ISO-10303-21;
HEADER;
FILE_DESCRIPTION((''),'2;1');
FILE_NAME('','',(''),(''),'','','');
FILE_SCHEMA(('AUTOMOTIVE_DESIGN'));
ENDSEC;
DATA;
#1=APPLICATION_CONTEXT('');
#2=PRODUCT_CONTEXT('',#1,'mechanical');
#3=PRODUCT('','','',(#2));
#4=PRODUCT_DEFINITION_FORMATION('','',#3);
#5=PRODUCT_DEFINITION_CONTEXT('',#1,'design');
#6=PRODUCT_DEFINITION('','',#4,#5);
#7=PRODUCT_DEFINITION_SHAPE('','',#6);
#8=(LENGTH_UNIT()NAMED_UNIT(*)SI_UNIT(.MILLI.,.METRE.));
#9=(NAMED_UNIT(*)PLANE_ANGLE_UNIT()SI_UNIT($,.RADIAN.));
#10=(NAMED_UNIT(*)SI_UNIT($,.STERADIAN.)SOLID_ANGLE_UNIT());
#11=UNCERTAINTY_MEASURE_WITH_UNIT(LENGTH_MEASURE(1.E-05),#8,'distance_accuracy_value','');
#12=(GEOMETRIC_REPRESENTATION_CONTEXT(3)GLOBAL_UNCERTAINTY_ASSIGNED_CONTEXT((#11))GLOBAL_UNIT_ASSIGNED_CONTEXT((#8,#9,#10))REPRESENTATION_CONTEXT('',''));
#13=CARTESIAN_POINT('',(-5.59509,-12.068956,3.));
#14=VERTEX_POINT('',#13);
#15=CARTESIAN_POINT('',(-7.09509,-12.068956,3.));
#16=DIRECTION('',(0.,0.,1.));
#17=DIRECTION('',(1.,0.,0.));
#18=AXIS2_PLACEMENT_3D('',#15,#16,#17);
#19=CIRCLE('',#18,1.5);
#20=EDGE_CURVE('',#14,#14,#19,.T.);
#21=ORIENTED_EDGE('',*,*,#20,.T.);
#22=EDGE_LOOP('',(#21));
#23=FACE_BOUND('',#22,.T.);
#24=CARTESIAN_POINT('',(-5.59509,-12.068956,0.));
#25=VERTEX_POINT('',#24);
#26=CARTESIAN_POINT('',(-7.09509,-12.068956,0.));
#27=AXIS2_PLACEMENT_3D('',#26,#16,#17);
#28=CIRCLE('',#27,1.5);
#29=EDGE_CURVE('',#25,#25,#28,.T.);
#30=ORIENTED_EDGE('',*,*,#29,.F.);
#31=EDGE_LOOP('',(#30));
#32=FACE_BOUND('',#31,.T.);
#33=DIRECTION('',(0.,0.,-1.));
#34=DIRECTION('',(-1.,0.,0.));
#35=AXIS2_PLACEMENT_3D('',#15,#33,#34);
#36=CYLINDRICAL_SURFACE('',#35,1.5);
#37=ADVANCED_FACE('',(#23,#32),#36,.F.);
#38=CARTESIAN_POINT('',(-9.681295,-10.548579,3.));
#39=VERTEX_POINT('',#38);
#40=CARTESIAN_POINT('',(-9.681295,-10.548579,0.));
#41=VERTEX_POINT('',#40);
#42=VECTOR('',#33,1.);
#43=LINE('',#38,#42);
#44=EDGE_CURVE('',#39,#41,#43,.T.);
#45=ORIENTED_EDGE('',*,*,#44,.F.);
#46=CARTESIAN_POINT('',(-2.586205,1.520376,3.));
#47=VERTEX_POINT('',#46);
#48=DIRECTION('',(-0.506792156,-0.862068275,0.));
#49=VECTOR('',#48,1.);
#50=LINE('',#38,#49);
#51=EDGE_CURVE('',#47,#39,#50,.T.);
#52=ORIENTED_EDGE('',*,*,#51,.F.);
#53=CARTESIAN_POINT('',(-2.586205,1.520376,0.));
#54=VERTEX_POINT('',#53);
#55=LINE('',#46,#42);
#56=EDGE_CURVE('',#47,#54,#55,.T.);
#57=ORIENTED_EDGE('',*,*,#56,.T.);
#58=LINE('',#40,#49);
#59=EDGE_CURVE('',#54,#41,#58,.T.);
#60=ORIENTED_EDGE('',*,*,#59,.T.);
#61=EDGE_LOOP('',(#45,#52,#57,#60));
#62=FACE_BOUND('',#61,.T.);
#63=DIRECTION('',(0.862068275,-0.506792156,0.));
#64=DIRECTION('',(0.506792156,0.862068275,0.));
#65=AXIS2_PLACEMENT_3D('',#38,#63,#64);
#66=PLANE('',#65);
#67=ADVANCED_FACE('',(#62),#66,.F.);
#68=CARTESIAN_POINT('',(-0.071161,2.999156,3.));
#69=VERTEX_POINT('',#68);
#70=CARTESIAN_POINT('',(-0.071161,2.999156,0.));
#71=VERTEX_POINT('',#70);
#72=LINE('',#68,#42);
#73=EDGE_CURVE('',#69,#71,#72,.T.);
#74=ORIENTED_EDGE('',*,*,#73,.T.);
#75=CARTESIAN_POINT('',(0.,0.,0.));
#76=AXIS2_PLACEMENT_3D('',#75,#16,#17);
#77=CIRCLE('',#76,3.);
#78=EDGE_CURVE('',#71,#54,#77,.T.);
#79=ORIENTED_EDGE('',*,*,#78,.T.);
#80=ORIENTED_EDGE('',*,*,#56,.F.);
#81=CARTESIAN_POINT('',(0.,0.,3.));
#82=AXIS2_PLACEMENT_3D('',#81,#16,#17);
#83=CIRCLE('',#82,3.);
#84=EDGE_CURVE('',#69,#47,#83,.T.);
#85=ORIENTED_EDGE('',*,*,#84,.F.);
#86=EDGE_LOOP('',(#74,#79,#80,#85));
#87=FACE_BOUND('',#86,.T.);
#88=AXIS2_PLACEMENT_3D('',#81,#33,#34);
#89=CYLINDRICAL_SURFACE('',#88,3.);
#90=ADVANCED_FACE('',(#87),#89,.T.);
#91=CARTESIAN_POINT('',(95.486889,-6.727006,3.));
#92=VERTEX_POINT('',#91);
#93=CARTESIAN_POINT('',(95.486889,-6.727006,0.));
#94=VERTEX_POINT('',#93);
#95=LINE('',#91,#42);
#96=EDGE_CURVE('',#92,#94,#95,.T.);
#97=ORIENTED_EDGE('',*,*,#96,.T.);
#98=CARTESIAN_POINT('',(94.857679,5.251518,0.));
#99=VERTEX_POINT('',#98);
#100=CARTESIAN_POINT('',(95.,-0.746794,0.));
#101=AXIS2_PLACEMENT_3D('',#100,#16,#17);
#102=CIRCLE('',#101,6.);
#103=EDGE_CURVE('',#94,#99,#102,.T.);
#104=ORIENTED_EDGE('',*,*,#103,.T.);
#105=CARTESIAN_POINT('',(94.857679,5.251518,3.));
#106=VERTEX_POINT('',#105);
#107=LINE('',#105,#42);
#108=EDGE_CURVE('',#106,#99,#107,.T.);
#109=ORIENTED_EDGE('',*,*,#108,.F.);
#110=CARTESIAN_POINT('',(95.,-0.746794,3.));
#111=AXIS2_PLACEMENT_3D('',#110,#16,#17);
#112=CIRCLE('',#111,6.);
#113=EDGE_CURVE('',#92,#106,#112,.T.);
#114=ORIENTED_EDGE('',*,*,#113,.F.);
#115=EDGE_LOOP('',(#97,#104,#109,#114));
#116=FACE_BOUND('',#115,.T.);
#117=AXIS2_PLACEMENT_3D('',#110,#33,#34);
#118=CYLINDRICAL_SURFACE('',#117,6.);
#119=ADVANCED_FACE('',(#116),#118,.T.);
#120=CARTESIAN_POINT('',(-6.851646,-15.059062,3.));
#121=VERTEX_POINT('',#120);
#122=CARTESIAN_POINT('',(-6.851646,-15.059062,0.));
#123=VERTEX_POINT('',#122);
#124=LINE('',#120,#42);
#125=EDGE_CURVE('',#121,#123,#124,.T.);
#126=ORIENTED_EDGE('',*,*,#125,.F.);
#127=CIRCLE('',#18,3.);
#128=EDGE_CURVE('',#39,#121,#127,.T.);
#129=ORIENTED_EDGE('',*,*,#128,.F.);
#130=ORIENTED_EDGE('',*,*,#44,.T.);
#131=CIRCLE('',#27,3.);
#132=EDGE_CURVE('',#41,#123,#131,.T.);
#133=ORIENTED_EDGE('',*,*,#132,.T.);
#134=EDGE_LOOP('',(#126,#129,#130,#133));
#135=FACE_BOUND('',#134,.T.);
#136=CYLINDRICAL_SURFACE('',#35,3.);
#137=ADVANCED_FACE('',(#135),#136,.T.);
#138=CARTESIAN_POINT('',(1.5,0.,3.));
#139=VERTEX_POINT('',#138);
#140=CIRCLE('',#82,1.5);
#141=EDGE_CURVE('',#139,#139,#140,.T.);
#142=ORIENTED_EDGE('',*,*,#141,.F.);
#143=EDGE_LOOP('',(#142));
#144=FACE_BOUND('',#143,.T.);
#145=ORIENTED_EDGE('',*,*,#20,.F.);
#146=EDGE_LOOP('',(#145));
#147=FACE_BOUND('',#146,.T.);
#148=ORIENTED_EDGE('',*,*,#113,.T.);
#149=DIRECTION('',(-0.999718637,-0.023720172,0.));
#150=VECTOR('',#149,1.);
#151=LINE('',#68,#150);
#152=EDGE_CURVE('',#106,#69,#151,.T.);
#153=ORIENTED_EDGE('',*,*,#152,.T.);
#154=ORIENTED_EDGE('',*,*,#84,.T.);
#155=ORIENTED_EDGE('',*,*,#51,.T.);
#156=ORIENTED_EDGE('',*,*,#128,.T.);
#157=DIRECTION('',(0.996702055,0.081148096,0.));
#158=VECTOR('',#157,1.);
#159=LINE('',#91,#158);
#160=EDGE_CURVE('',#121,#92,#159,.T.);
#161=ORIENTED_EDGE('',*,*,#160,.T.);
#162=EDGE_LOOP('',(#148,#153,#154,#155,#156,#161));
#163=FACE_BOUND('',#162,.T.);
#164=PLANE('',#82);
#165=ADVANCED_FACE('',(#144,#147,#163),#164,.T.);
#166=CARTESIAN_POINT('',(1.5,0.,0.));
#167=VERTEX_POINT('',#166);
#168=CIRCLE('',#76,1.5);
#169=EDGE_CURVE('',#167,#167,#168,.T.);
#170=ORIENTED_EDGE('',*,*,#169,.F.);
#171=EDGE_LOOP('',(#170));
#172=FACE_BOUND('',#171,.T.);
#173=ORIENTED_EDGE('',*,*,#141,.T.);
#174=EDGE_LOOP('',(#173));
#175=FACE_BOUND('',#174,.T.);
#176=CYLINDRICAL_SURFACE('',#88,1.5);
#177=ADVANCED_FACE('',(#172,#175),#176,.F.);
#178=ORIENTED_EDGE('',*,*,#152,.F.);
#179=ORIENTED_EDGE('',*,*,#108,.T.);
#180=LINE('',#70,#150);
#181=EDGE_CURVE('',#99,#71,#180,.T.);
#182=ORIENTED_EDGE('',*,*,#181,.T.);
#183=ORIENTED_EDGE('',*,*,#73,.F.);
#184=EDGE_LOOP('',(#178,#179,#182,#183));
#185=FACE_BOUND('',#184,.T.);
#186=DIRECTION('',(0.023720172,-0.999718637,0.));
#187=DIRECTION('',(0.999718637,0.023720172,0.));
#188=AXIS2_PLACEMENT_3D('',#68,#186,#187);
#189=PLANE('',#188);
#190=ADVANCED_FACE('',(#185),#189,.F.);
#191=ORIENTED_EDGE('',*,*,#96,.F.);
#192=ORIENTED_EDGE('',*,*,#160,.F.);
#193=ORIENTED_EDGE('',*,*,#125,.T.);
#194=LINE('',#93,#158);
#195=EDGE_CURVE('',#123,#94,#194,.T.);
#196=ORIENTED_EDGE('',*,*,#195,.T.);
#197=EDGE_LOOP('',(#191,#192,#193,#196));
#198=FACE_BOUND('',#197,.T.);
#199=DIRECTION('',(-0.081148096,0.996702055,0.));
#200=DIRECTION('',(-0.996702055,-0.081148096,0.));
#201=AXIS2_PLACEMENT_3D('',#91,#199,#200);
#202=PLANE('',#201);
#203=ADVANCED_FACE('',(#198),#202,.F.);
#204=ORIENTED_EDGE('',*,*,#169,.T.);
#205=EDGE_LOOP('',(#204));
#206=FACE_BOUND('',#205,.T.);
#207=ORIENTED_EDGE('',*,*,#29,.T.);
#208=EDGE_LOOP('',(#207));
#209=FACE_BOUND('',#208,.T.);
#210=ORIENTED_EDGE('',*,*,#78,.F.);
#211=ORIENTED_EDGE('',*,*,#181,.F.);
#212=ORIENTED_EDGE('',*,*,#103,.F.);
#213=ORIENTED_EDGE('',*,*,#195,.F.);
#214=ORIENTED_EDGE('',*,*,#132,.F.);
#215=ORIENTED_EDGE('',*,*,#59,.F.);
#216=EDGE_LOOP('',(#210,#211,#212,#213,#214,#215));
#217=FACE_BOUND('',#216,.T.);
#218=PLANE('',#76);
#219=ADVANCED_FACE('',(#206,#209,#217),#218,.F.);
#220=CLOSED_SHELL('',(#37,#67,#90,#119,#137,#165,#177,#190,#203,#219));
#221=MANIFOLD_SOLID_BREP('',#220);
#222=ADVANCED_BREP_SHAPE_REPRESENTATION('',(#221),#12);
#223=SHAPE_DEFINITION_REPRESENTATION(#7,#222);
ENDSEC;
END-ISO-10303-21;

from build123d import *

# Parameters (mm, degrees)
SKETCH3_R           = 1.5
BOSS_EXTRUDE1_DEPTH = 3


with BuildPart() as part:
    # Sketch3 → Boss-Extrude1 (new body)
    with BuildSketch(Plane.XY):
        with BuildLine():
            Line((-9.681295011, -10.548579379), (-2.586204824, 1.520376469))
            ThreePointArc((-2.586204824, 1.520376469), (-1.520557397, 2.586098452), (-0.071160516, 2.999155911))
            Line((-0.071160516, 2.999155911), (94.857678968, 5.25151804))
            ThreePointArc((94.857678968, 5.25151804), (100.991739474, -0.432058845), (95.486888577, -6.727006113))
            Line((95.486888577, -6.727006113), (-6.851645898, -15.059062012))
            ThreePointArc((-6.851645898, -15.059062012), (-9.636397947, -13.663244049), (-9.681295011, -10.548579379))
        make_face()
        with Locations((-7.095090187, -12.068955847)):
            Circle(SKETCH3_R, mode=Mode.SUBTRACT)
        Circle(SKETCH3_R, mode=Mode.SUBTRACT)
    extrude(amount=BOSS_EXTRUDE1_DEPTH)


solid = part.part
